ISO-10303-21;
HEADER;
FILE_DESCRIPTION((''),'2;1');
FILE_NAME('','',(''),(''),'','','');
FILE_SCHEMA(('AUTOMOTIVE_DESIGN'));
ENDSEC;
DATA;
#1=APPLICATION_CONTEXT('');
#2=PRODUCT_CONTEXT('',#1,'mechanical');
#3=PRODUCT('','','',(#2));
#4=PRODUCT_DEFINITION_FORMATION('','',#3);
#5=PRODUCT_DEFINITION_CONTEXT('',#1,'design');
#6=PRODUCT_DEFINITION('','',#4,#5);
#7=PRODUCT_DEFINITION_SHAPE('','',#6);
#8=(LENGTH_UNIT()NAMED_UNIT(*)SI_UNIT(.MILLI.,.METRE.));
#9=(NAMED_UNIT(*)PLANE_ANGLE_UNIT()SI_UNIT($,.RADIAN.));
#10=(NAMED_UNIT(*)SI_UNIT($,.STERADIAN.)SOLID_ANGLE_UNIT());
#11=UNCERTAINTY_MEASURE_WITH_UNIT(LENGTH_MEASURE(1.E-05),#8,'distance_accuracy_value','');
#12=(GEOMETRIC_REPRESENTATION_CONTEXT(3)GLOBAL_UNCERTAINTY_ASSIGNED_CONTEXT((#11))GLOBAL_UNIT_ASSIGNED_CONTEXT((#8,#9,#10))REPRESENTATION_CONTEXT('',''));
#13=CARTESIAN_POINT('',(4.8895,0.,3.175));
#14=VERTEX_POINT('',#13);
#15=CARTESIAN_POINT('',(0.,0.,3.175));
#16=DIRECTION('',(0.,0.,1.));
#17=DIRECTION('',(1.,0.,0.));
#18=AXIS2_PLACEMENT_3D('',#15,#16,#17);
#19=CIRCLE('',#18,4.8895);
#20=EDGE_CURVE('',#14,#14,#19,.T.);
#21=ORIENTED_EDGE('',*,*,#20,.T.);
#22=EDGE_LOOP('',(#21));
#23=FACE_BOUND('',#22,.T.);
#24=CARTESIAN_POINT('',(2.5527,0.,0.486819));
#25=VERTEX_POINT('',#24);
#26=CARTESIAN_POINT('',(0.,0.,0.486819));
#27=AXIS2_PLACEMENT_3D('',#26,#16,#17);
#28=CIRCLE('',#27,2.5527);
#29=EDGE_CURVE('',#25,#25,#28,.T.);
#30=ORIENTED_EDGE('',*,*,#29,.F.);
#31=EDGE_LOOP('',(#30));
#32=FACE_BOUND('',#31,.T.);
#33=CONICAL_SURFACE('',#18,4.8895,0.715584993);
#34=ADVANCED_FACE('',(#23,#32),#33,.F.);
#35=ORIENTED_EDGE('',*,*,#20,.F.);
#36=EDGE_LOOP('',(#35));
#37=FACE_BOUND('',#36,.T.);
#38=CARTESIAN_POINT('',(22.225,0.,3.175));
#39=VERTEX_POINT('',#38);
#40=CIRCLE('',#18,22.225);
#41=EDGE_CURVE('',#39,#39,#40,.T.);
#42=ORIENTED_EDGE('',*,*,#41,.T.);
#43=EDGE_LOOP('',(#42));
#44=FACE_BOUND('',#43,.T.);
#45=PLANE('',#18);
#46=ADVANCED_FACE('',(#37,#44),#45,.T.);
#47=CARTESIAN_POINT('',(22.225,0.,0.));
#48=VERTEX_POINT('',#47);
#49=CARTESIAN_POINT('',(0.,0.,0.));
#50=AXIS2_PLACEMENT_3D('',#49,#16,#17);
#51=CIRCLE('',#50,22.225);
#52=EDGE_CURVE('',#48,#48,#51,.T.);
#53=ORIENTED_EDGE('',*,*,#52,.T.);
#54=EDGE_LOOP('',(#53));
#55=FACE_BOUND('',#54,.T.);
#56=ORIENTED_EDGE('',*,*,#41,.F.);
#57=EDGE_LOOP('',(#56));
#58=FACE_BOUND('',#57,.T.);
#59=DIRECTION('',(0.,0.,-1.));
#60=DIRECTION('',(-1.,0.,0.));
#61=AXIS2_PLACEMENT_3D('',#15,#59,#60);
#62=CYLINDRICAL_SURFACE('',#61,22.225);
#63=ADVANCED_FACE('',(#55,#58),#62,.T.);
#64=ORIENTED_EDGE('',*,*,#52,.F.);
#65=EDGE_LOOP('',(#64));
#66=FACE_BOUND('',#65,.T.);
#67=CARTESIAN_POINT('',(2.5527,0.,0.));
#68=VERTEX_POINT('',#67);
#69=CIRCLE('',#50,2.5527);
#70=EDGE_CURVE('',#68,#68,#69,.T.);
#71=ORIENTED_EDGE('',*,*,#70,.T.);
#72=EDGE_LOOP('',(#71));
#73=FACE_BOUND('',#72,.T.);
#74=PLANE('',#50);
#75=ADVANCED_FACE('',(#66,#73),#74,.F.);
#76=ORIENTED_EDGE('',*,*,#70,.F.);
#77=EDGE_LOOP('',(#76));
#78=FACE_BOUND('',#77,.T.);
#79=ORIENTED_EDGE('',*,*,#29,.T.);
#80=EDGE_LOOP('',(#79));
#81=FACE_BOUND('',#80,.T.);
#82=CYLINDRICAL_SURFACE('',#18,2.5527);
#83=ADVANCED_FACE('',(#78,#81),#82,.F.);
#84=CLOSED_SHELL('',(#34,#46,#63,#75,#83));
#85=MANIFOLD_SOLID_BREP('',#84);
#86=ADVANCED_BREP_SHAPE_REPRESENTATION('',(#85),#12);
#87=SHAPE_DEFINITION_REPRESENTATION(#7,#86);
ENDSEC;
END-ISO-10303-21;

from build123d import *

# Parameters (mm, degrees)
SKETCH1_R           = 22.225
SKETCH1_R_2         = 2.4892
BOSS_EXTRUDE1_DEPTH = 3.175


with BuildPart() as part:
    # Sketch1 → Boss-Extrude1 (new body)
    with BuildSketch(Plane.XY):
        Circle(SKETCH1_R)
        Circle(SKETCH1_R_2, mode=Mode.SUBTRACT)
    extrude(amount=BOSS_EXTRUDE1_DEPTH)

    # Sketch2 → CSK for #10 Flat Head Machine Screw1 (revolve, cut)
    with BuildSketch(Plane(origin=(0, 0, 3.175), x_dir=(0, -1, 0), z_dir=(1, 0, 0))):
        Polygon((0, 0), (0, 3.175), (2.5527, 3.175), (2.5527, 2.688180894), (4.8895, 0), align=None)
    revolve(axis=Axis((0, 0, 9.525), (0, 0, -1)), mode=Mode.SUBTRACT)


solid = part.part
